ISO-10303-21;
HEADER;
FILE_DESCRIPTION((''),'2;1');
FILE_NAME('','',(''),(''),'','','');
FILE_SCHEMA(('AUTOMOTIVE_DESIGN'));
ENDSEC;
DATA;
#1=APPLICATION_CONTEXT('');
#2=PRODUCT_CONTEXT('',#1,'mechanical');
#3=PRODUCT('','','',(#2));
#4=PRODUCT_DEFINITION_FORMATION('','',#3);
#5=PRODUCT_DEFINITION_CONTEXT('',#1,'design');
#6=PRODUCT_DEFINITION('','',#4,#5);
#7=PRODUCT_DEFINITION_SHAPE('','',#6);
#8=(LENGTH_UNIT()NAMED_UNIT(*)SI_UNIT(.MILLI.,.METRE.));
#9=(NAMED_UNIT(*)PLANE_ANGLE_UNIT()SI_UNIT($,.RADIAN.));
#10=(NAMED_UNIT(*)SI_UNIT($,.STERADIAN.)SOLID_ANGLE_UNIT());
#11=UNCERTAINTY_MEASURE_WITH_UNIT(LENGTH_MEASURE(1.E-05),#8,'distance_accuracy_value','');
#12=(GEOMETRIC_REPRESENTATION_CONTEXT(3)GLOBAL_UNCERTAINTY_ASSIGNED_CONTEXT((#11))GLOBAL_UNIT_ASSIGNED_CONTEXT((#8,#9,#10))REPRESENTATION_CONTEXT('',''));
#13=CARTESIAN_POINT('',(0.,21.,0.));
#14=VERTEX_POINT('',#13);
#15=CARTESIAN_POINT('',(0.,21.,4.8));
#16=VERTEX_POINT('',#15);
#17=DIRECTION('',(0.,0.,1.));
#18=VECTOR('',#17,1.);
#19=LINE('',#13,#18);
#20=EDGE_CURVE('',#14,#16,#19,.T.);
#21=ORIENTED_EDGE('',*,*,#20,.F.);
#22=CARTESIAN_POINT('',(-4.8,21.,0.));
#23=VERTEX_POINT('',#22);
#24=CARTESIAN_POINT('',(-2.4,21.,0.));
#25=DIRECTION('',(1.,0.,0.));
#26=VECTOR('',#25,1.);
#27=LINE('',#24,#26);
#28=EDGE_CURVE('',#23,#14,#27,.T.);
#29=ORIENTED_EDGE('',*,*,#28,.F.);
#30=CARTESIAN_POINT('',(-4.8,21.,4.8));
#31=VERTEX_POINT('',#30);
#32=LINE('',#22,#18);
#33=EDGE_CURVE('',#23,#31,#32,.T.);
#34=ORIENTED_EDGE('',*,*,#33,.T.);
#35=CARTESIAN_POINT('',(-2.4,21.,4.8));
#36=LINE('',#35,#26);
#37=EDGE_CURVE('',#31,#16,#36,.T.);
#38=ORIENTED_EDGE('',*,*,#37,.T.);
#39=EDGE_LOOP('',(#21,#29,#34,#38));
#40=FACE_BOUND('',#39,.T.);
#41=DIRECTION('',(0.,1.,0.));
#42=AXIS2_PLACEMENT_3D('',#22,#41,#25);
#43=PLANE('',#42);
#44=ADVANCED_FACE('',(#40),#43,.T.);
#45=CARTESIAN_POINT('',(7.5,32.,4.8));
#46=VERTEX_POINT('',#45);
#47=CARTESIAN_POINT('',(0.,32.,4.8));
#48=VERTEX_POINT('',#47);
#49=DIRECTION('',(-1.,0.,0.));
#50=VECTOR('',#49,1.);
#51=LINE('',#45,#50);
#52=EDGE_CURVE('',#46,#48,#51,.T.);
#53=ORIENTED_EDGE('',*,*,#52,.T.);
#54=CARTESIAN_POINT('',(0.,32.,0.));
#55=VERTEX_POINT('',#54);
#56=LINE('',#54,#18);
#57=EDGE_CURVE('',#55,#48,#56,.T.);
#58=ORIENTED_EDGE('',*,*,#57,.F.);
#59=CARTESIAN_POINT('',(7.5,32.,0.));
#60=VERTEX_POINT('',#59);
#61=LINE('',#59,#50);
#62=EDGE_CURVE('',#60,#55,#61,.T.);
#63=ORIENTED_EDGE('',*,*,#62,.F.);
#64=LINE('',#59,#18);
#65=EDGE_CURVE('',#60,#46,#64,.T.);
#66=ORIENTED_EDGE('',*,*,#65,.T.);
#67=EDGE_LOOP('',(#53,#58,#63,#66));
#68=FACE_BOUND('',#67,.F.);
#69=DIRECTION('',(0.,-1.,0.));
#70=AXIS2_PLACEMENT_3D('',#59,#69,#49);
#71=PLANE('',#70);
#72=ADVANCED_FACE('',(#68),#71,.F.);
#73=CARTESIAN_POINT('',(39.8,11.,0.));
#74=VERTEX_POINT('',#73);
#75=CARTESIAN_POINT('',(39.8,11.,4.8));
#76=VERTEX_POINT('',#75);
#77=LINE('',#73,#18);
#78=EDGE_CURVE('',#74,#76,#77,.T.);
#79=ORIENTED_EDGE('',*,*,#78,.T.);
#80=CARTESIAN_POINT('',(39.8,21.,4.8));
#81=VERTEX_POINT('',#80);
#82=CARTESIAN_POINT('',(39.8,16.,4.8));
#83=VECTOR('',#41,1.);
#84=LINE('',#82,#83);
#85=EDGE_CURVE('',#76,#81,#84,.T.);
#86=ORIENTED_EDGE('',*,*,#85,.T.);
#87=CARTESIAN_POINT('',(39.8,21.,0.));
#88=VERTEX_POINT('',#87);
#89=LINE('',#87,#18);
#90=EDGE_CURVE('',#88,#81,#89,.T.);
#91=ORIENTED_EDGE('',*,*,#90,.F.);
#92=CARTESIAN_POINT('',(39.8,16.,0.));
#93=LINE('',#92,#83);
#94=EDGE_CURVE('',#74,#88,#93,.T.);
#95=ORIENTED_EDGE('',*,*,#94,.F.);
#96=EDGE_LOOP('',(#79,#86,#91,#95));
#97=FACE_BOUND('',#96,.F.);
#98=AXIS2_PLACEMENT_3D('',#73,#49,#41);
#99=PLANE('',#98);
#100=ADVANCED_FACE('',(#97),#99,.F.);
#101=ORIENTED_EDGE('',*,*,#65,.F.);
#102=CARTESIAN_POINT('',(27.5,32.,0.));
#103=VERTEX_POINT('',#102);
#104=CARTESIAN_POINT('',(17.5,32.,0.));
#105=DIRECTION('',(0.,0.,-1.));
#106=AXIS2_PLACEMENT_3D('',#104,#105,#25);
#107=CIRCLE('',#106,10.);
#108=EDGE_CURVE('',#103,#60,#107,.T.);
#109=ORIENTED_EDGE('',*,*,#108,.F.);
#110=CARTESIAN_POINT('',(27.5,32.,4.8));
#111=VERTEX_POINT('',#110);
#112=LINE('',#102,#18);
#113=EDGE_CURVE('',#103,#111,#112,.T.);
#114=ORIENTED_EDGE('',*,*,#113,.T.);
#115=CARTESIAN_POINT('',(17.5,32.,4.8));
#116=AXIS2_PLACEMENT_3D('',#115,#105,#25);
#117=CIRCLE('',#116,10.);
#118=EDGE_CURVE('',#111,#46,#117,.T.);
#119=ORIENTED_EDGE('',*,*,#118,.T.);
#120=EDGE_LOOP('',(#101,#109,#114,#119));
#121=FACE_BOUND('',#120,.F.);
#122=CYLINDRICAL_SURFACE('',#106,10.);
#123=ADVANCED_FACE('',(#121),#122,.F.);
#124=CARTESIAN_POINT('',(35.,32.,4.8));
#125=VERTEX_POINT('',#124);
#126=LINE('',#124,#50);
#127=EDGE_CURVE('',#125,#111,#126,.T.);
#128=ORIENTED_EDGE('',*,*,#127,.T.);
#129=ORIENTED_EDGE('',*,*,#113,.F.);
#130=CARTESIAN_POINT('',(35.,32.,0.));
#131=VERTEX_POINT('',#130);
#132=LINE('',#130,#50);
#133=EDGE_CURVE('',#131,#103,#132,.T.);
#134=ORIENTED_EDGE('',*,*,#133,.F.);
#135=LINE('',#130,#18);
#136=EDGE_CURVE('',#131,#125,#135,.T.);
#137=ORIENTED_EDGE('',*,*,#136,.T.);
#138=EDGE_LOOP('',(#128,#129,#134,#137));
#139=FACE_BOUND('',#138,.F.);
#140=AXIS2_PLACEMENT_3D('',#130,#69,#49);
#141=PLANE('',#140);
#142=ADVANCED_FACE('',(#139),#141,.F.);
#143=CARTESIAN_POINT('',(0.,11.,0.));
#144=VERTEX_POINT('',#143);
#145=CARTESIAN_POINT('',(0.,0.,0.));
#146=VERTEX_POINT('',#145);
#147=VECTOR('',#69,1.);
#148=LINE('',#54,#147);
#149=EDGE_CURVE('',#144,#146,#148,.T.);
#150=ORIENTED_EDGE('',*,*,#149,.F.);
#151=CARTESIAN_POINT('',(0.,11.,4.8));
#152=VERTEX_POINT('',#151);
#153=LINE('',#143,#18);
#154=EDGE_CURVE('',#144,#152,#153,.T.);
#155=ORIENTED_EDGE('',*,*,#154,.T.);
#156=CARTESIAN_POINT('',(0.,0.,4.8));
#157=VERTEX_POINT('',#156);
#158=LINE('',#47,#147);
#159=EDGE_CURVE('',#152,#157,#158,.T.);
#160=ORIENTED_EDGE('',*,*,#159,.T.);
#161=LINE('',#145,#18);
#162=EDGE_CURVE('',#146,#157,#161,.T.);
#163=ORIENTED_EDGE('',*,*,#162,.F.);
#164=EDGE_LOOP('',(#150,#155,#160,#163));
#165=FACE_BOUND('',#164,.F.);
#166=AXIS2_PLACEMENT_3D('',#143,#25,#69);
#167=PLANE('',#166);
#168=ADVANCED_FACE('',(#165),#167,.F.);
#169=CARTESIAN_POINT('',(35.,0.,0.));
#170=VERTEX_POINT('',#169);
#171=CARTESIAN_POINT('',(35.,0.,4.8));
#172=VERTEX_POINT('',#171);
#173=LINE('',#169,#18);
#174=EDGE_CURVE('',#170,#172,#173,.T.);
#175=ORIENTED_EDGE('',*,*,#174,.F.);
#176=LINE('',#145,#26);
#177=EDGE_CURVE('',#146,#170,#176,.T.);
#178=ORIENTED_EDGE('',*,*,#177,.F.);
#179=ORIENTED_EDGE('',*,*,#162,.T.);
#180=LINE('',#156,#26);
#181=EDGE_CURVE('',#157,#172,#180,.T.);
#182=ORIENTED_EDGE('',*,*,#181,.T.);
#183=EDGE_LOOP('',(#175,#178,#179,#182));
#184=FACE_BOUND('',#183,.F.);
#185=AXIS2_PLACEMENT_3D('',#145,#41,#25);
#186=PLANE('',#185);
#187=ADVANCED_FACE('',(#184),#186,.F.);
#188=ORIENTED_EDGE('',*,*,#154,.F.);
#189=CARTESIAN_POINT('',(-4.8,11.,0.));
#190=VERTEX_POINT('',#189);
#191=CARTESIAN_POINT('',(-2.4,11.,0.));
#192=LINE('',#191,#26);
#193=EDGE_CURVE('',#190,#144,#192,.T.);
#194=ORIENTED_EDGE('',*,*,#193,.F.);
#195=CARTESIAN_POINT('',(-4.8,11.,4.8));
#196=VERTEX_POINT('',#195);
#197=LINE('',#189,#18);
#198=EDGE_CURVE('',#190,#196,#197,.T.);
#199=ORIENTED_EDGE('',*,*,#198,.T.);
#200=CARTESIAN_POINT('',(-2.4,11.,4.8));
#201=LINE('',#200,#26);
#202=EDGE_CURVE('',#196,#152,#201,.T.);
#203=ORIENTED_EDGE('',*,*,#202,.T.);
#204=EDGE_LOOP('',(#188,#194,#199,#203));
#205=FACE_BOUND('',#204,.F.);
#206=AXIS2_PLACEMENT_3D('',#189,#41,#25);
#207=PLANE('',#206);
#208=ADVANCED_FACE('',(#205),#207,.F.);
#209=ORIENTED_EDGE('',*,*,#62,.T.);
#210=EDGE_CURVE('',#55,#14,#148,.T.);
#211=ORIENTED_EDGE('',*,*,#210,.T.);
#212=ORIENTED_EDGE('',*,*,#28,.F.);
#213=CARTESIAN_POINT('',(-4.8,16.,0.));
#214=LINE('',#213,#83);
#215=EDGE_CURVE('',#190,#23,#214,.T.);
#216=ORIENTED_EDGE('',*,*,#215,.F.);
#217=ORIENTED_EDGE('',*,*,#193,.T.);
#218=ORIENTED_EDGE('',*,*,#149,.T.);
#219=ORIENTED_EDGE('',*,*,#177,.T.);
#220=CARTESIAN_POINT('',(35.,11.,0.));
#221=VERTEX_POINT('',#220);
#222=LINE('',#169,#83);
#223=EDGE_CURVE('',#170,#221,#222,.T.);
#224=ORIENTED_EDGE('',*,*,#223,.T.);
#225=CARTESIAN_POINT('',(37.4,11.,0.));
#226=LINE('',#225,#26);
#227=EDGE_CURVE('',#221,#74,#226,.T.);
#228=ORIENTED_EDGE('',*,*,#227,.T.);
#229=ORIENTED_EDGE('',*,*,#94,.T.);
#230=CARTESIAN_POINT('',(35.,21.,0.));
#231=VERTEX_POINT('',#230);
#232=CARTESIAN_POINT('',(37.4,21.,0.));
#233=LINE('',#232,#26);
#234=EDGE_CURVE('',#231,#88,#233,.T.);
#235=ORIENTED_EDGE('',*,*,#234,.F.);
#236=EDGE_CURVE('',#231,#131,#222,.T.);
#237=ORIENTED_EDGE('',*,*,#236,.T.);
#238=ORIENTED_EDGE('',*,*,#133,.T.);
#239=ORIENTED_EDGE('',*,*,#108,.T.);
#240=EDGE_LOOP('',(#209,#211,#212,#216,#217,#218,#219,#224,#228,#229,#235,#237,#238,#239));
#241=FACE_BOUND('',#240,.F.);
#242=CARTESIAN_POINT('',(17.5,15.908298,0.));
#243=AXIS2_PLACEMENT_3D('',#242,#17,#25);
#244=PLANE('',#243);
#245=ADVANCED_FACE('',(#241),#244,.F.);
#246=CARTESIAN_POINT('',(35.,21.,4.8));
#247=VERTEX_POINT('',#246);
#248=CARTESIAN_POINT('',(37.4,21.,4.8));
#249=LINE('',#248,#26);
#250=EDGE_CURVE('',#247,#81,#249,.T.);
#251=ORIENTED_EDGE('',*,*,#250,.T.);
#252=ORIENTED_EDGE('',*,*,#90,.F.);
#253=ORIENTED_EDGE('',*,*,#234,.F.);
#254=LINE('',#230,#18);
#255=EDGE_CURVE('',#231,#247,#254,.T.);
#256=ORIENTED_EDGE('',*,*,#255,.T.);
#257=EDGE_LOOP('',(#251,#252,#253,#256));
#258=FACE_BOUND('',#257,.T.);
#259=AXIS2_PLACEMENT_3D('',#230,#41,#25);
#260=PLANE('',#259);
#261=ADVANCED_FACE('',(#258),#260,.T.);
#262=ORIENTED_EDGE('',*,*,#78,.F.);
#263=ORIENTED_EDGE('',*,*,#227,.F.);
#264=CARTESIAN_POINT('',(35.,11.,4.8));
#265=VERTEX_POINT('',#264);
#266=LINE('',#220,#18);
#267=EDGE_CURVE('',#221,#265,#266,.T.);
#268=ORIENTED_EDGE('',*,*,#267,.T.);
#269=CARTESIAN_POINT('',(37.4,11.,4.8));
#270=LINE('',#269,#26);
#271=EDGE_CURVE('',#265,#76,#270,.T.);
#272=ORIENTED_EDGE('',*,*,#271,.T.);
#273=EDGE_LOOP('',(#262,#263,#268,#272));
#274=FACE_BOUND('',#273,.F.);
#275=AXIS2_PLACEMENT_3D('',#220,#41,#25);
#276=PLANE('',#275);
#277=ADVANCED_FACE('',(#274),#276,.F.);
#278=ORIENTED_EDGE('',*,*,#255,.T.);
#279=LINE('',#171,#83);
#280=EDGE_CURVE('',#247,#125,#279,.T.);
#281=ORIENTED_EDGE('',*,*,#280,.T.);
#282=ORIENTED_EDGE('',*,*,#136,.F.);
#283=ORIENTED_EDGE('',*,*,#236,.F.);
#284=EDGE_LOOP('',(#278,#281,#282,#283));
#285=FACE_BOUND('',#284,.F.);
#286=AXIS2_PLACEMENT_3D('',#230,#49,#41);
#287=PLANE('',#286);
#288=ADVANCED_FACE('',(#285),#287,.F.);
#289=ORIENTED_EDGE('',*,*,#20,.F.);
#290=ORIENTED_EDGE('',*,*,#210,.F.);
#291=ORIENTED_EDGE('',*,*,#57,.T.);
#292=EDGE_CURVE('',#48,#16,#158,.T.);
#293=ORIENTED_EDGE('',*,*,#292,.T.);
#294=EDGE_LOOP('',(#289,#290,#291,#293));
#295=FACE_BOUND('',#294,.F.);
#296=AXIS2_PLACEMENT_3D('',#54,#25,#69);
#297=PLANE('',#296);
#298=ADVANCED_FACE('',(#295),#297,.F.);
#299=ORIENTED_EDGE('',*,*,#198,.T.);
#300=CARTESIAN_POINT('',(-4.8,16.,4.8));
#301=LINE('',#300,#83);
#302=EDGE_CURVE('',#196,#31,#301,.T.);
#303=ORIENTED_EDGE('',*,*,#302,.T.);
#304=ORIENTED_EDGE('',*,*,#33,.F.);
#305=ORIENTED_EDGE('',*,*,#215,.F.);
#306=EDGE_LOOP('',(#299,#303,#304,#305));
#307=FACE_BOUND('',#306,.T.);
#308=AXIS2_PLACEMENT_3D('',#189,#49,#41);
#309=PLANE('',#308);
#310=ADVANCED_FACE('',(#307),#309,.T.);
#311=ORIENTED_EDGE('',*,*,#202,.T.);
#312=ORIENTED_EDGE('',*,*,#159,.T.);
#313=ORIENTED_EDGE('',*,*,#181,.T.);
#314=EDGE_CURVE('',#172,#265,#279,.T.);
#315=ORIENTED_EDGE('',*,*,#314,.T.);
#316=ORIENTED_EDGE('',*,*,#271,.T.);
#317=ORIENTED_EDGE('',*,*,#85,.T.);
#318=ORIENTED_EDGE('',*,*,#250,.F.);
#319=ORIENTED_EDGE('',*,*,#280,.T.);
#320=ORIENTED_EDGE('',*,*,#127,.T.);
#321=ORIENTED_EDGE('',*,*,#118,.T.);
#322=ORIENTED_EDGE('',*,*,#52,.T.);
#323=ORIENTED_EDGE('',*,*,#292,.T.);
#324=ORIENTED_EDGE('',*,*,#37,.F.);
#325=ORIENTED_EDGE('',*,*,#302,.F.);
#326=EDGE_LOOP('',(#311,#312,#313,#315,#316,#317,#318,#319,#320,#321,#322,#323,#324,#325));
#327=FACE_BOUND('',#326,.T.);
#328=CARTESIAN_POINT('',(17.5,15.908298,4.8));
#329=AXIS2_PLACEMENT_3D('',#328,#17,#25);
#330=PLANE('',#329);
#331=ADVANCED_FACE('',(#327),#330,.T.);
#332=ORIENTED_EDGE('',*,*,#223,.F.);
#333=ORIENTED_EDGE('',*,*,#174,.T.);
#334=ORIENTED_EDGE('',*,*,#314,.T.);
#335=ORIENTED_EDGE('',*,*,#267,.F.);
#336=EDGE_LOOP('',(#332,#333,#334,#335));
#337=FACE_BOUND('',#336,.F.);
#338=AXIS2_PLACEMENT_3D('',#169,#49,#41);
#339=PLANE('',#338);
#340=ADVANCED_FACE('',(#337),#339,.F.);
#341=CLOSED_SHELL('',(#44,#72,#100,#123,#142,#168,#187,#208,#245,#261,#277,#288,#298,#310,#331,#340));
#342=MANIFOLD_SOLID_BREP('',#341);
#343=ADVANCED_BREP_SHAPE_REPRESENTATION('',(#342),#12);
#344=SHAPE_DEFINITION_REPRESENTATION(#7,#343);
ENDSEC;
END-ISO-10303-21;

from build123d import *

# Parameters (mm, degrees)
F0_W     = 4.8
F0_H     = 10
F1_DEPTH = 4.8


with BuildPart() as f1:
    # F0 (on Top) → F1 (new body)
    with BuildSketch(Plane.XY):
        with BuildLine():
            Line((0, 11), (0, 0))
            Line((0, 0), (35, 0))
            Line((35, 0), (35, 11))
            Line((35, 11), (35, 21))
            Line((35, 21), (35, 32))
            Line((35, 32), (27.5, 32))
            ThreePointArc((27.5, 32), (17.5, 22), (7.5, 32))
            Line((7.5, 32), (0, 32))
            Line((0, 32), (0, 21))
            Line((0, 21), (0, 11))
        make_face()
        with Locations((-2.4, 16)):
            Rectangle(F0_W, F0_H)
        with Locations((37.4, 16)):
            Rectangle(F0_W, F0_H)
    extrude(amount=F1_DEPTH)


solid = f1.part
